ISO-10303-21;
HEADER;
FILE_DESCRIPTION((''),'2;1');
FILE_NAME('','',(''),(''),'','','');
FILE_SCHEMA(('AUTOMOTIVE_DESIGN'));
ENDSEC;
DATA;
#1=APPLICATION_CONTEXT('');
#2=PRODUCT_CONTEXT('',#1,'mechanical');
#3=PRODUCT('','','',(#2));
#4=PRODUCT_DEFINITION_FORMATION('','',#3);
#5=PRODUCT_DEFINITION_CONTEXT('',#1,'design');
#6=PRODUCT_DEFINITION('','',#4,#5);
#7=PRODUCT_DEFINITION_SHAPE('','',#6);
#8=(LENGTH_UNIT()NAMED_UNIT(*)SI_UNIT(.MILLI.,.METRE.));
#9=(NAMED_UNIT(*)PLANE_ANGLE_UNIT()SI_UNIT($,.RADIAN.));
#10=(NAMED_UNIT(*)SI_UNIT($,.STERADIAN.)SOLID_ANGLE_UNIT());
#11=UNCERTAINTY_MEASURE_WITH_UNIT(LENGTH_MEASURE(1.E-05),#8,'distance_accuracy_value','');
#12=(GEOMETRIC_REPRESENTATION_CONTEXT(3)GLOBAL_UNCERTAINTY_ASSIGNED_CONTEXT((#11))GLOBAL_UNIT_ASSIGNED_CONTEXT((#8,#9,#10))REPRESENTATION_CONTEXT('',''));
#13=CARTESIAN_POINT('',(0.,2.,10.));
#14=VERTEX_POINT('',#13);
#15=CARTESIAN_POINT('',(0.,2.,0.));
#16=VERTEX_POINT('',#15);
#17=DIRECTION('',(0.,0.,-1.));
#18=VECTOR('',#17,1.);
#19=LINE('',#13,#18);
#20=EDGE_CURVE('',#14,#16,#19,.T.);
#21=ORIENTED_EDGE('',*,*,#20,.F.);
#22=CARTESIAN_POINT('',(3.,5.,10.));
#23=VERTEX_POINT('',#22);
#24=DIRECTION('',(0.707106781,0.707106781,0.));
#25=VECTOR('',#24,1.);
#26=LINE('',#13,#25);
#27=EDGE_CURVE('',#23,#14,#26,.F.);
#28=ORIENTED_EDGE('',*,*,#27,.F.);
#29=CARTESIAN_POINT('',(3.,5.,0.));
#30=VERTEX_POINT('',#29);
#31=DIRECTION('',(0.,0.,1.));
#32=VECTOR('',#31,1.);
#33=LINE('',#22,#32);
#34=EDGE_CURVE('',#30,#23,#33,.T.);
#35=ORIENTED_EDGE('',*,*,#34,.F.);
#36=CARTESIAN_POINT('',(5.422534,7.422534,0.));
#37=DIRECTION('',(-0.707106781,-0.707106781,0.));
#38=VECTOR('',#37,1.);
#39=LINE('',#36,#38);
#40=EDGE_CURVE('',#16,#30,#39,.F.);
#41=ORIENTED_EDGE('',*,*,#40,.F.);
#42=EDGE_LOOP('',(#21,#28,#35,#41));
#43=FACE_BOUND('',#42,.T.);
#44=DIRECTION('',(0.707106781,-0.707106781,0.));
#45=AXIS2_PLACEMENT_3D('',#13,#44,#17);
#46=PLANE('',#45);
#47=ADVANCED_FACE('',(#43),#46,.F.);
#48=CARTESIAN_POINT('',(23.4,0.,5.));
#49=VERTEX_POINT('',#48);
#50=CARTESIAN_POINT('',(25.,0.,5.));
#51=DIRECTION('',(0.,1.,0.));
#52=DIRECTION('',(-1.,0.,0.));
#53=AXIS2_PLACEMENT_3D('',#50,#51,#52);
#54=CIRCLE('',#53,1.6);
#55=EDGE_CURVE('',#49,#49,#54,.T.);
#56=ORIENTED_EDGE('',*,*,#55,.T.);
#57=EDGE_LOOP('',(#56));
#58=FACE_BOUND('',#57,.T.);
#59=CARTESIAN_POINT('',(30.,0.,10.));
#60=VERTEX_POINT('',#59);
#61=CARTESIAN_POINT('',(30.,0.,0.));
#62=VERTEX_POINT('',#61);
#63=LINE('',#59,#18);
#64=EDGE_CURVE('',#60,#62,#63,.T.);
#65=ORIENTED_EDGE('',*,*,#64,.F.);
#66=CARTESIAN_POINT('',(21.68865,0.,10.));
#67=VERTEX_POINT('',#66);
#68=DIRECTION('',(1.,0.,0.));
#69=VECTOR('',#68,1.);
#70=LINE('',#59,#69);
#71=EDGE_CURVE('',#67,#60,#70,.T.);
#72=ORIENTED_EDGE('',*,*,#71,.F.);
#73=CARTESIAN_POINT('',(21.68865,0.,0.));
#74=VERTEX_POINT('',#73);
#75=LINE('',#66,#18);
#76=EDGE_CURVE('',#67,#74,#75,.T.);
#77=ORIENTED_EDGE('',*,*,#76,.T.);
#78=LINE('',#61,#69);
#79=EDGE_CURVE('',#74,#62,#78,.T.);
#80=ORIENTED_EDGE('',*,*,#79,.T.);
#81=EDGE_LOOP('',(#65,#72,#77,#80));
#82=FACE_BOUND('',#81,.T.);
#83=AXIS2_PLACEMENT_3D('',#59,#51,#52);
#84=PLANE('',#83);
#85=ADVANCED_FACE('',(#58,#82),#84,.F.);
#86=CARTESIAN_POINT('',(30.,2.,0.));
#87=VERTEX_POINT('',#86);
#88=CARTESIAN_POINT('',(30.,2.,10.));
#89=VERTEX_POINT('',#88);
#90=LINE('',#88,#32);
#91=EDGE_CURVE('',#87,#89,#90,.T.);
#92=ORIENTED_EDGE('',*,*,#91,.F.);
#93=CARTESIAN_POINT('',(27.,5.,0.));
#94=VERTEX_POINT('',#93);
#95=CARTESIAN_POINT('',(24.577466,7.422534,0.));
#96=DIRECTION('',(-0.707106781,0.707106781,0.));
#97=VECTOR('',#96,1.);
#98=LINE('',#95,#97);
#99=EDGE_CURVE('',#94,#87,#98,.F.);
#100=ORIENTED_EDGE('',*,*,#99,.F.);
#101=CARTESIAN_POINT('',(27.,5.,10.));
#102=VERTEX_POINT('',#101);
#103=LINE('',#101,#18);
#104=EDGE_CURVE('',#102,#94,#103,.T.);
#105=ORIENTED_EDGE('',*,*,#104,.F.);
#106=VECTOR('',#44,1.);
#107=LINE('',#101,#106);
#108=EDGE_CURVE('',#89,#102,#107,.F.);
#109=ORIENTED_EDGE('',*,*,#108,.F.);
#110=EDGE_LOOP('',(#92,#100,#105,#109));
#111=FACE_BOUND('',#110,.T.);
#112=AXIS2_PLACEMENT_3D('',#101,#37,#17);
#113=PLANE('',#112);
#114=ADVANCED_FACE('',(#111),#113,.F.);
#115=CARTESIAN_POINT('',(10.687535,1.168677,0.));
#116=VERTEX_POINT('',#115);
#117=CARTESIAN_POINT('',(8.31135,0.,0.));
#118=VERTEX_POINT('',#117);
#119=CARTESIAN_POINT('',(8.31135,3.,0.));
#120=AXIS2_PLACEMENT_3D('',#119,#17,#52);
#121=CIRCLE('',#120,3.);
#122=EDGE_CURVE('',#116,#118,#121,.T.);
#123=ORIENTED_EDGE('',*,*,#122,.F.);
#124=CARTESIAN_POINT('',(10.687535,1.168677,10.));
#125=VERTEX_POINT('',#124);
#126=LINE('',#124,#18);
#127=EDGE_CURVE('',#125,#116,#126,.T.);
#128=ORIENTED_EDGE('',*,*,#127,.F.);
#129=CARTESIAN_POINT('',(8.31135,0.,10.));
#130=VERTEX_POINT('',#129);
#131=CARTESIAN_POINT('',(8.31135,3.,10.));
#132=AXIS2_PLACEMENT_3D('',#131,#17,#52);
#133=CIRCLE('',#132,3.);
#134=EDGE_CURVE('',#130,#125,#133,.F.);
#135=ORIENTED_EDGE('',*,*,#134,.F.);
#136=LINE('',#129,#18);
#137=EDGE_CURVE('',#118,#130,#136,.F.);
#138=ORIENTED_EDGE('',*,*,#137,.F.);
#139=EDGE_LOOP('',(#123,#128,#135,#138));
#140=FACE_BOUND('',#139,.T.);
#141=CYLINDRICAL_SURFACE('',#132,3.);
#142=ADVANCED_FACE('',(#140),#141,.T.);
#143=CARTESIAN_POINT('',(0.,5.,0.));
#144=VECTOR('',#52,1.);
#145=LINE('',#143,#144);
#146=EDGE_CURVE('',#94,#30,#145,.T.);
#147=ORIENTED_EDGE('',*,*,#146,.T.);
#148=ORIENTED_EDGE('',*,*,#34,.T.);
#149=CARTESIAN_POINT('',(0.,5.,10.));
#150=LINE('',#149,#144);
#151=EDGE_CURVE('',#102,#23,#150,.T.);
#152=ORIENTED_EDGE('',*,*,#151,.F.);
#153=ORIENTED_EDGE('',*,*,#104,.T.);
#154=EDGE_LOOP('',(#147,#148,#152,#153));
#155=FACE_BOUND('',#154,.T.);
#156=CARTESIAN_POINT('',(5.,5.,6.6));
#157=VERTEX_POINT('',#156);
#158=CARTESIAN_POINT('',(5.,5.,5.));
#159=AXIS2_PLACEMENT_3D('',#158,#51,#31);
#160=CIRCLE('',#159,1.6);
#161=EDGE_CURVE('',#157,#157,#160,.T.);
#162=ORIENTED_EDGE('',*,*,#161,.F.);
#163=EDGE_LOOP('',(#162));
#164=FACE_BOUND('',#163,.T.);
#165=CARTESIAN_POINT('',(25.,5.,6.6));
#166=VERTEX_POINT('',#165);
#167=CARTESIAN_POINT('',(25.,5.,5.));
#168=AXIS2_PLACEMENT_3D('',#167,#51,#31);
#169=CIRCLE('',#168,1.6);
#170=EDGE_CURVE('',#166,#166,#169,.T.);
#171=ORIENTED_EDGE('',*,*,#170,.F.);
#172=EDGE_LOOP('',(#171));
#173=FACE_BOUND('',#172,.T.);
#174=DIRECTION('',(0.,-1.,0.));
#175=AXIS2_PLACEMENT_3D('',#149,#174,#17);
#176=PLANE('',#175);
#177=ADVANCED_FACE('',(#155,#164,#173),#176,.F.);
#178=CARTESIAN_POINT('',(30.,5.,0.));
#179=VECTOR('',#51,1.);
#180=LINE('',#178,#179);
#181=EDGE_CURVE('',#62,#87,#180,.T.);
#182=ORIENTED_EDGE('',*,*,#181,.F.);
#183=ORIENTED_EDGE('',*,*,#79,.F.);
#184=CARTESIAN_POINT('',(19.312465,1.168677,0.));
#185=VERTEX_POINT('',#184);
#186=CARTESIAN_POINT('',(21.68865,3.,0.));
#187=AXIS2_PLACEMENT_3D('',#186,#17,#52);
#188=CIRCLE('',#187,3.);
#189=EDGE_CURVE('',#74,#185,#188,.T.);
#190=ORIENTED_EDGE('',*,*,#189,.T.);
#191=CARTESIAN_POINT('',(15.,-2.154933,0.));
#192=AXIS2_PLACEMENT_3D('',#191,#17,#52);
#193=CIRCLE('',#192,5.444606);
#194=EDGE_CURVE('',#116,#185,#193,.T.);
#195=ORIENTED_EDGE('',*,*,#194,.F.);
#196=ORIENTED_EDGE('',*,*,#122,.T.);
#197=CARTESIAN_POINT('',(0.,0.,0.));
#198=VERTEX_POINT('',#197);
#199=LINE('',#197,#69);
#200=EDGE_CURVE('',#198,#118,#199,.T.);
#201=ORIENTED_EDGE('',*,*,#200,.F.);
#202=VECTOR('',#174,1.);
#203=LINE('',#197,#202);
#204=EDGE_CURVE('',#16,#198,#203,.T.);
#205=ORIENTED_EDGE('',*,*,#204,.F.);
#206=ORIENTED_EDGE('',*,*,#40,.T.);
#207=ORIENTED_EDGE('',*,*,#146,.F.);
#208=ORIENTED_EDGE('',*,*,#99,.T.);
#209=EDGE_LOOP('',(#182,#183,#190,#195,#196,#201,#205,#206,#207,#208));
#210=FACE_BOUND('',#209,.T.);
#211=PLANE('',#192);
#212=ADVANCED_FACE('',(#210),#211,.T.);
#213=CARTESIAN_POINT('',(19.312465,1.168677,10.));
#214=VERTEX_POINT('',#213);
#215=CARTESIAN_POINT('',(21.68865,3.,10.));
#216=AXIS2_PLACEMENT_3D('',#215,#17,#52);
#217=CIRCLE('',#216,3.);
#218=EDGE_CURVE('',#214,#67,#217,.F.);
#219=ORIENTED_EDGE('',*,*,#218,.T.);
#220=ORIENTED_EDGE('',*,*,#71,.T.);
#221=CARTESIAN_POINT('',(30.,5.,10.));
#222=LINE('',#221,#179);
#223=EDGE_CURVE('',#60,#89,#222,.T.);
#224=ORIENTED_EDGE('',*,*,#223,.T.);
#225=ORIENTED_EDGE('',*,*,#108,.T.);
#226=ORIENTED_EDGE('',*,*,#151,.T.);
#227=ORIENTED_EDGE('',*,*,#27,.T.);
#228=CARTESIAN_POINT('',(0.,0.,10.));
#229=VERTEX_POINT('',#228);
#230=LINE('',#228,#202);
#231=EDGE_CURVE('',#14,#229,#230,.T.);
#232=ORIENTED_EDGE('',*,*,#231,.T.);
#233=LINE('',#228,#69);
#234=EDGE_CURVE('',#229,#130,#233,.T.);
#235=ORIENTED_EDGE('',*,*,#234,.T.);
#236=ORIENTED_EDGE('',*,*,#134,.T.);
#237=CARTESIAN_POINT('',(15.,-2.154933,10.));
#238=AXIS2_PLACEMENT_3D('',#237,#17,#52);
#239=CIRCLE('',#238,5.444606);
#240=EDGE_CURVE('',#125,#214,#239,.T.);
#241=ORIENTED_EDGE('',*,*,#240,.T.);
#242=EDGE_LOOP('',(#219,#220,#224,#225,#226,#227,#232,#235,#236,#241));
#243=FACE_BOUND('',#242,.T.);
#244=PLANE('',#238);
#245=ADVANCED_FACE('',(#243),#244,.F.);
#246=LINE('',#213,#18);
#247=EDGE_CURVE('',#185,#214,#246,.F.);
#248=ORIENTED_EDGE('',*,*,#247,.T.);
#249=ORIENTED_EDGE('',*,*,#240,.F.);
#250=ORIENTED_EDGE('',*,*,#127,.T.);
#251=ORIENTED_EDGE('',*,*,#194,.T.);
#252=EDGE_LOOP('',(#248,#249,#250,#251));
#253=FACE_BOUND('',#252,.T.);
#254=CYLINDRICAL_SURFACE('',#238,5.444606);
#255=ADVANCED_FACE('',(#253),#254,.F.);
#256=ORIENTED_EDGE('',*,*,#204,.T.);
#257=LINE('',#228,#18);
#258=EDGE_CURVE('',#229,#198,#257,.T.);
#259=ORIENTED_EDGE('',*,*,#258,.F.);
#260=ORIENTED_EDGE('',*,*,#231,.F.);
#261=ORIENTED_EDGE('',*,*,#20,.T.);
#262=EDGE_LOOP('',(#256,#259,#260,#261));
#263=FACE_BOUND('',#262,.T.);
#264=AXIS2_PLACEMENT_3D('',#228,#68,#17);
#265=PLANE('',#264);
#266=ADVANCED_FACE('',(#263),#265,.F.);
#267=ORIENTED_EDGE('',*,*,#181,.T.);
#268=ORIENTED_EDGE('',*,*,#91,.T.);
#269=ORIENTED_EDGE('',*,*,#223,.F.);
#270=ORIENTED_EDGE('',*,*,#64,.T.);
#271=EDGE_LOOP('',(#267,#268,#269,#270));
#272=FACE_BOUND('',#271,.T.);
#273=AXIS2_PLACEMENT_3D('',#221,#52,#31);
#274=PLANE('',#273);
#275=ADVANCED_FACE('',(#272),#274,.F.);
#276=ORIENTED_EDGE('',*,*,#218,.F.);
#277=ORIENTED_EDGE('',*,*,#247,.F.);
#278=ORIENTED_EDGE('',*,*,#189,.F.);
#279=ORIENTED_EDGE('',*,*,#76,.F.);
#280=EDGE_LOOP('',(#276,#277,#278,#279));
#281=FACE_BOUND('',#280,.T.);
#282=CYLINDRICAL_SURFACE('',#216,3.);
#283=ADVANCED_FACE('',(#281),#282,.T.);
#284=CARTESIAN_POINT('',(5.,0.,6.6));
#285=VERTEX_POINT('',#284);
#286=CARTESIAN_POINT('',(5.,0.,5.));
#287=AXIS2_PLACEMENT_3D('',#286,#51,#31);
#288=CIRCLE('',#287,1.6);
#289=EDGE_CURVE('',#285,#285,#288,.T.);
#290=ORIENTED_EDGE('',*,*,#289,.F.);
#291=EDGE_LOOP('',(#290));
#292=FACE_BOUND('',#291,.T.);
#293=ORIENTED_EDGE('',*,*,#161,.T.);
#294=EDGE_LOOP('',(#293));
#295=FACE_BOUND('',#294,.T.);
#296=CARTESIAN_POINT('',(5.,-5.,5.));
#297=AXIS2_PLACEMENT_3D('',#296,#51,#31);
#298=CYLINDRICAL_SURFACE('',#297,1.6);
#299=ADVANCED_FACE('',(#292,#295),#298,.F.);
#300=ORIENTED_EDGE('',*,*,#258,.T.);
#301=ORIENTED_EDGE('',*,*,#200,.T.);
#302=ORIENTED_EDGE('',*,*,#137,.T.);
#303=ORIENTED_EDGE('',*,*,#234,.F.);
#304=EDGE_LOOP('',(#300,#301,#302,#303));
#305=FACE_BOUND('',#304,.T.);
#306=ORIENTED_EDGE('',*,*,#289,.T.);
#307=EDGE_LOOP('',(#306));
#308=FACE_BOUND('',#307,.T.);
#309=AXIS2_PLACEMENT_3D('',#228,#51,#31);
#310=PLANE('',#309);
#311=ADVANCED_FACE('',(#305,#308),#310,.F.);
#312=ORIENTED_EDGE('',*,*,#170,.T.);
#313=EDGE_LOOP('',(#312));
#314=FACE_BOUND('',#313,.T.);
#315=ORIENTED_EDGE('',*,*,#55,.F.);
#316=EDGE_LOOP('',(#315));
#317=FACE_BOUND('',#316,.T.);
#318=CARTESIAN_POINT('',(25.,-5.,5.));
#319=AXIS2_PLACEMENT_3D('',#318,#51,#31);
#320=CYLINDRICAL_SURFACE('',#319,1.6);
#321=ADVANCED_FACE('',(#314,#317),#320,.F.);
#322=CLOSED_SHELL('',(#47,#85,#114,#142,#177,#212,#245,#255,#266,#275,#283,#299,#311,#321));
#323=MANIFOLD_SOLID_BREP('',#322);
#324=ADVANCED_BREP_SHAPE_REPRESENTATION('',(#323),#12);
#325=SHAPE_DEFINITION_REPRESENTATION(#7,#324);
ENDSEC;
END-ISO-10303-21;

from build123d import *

# Parameters (mm, degrees)
AUFSATZ_LINEAR_AUSTRAGEN1_DEPTH = 10
SKIZZE4_R                       = 1.6
SCHNITT_LINEAR_AUSTRAGEN1_DEPTH = 10
FASE1_SIZE                      = 3
VERRUNDUNG1_R                   = 3


with BuildPart() as part:
    # Skizze3 → Aufsatz-Linear austragen1 (new body)
    with BuildSketch(Plane.XY):
        with BuildLine():
            Line((0, 0), (0, 5))
            Line((0, 5), (30, 5))
            Line((30, 5), (30, 0))
            Line((30, 0), (20, 0))
            ThreePointArc((20, 0), (15, 3.289673338), (10, 0))
            Line((10, 0), (0, 0))
        make_face()
    extrude(amount=AUFSATZ_LINEAR_AUSTRAGEN1_DEPTH)

    # Skizze4 → Schnitt-Linear austragen1 (cut)
    with BuildSketch(Plane(origin=(0, 5, 0), x_dir=(1, 0, 0), z_dir=(0, 1, 0))):
        with Locations(Location((5, -5, 0), (0, 0, 270))):
            Circle(SKIZZE4_R)
        with Locations(Location((25, -5, 0), (0, 0, 270))):
            Circle(SKIZZE4_R)
    extrude(amount=-SCHNITT_LINEAR_AUSTRAGEN1_DEPTH, mode=Mode.SUBTRACT)

    # Fase1
    fase1_edges = [part.edges().sort_by_distance(p)[0] for p in [
        (0, 5, 5),
        (30, 5, 5),
    ]]
    chamfer(fase1_edges, length=FASE1_SIZE)

    # Verrundung1
    verrundung1_edges = [part.edges().sort_by_distance(p)[0] for p in [
        (20, 0, 5),
        (10, 0, 5),
    ]]
    fillet(verrundung1_edges, radius=VERRUNDUNG1_R)


solid = part.part
